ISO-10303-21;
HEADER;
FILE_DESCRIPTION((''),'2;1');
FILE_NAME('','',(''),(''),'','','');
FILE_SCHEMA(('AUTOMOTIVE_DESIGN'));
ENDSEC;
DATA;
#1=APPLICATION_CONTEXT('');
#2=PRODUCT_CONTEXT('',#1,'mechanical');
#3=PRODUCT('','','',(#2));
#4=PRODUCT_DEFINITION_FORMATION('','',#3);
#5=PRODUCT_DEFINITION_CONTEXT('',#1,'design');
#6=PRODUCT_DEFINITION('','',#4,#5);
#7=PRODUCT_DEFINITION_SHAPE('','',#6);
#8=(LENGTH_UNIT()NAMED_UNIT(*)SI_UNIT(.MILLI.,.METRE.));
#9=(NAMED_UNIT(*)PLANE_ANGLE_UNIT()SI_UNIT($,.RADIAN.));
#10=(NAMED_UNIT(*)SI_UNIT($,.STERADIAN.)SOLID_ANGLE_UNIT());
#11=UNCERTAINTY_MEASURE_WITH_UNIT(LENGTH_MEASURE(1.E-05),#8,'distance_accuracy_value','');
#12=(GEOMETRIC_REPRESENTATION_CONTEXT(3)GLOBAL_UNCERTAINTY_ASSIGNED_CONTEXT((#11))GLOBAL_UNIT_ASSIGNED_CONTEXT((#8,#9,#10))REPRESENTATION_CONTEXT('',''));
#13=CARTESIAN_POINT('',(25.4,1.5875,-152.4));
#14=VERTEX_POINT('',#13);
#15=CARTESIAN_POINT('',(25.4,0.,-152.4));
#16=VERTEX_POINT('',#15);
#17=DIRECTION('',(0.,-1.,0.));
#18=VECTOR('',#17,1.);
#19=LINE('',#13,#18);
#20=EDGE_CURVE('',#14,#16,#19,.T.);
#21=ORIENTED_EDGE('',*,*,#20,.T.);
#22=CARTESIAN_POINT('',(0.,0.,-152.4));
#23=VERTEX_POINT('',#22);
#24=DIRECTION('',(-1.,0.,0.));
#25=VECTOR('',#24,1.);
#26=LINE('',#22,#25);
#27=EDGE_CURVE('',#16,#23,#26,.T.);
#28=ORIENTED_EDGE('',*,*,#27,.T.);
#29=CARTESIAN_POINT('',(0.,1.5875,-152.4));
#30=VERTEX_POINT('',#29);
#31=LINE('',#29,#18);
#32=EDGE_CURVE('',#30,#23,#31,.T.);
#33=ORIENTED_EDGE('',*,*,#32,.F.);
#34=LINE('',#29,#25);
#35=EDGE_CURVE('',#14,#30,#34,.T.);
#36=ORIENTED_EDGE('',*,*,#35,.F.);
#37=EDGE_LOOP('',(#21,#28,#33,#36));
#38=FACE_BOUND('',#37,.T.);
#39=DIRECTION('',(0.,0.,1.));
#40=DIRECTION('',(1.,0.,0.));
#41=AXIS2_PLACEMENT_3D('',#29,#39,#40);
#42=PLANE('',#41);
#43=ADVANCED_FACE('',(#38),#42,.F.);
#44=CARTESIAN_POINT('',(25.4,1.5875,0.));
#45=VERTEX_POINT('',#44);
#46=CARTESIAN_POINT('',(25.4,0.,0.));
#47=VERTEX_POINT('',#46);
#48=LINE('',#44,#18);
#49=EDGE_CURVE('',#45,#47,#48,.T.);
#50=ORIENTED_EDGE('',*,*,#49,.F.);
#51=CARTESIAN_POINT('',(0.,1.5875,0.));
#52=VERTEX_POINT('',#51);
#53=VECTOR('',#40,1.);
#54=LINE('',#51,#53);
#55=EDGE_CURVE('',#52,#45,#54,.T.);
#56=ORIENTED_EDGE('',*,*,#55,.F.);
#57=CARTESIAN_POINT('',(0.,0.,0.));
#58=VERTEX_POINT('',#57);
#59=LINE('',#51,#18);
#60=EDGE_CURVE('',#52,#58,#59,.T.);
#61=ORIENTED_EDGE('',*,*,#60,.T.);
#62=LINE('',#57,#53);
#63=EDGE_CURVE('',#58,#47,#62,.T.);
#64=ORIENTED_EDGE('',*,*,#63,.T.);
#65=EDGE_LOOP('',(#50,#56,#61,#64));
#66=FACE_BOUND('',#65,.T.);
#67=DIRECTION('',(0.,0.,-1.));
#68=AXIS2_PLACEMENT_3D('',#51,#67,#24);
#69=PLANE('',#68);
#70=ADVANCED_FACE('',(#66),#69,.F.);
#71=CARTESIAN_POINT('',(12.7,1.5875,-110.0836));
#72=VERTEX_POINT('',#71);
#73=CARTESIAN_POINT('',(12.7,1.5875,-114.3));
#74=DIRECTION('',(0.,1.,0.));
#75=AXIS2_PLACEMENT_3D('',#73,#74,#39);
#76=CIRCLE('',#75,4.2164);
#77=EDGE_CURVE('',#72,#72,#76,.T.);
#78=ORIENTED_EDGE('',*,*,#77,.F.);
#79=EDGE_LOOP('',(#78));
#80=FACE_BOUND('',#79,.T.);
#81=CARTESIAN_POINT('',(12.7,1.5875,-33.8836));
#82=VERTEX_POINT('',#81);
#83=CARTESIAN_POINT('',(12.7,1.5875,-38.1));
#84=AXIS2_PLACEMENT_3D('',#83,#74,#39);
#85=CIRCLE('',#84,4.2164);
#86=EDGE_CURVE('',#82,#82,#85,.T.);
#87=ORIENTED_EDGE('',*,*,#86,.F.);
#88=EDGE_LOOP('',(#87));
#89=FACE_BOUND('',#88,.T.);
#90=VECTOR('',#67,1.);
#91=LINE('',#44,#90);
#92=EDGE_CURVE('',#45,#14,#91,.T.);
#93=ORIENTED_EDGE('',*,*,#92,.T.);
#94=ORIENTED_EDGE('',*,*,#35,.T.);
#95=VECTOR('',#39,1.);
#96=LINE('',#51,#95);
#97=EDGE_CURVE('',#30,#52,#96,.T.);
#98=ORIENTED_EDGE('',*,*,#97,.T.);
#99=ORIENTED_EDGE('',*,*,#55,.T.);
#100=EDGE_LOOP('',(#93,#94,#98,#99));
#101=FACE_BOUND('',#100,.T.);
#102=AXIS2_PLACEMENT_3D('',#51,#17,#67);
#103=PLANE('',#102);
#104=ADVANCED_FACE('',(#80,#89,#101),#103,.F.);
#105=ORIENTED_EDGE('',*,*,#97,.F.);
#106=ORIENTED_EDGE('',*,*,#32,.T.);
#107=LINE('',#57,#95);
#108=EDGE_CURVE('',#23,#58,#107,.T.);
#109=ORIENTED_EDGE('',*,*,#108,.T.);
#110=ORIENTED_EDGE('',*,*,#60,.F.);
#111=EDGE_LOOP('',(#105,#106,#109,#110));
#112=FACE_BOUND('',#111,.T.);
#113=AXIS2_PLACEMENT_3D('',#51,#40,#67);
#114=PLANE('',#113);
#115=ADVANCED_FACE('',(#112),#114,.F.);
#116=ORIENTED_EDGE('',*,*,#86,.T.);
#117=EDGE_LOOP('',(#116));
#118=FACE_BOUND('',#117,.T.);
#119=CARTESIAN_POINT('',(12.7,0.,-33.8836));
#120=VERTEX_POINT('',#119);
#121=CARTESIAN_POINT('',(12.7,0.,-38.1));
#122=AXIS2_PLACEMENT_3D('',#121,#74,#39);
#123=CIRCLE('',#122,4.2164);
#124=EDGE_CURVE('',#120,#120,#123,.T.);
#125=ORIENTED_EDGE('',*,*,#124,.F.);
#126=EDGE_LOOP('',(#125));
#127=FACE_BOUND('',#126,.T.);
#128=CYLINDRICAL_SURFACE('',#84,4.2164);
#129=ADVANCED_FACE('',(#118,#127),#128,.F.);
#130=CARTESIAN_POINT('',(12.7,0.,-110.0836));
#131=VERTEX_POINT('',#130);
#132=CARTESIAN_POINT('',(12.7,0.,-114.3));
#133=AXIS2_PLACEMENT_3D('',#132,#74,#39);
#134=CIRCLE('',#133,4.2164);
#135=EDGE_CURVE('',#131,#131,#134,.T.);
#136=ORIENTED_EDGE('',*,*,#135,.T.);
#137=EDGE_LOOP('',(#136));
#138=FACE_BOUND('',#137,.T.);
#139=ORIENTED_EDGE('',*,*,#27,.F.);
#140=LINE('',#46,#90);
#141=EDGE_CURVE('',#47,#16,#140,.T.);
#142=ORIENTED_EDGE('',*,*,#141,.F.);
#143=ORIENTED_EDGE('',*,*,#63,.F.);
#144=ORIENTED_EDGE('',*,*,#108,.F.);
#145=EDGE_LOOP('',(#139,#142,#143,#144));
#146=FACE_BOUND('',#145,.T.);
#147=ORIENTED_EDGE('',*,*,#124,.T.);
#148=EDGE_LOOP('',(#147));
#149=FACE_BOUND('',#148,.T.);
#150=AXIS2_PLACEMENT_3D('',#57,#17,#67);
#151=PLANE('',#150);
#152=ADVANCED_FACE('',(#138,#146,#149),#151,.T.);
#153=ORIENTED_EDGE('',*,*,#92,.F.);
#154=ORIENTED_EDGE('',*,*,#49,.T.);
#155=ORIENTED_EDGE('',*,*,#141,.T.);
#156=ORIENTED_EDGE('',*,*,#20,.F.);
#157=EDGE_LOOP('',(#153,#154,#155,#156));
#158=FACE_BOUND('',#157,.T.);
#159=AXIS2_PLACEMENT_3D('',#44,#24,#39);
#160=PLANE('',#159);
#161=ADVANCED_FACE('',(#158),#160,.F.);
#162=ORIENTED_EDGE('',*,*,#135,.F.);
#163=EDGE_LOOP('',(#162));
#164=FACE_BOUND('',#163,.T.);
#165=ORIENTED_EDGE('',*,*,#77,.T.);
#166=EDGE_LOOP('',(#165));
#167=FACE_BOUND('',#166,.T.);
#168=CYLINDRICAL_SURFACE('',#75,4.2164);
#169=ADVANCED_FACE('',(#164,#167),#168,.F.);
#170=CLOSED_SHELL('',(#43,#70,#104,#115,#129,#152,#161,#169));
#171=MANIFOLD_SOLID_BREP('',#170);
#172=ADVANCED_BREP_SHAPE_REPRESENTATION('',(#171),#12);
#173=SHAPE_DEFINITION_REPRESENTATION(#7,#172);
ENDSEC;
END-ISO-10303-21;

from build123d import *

# Parameters (mm, degrees)
SKETCH1_W                   = 25.4
SKETCH1_H                   = 152.4
BOSS_EXTRUDE1_DEPTH         = 1.5875
TAP_DRILL_FOR_3_8_24_TAP1_D = 8.4328


with BuildPart() as part:
    # Sketch1 → Boss-Extrude1 (new body)
    with BuildSketch(Plane(origin=(0, 0, 0), x_dir=(1, 0, 0), z_dir=(0, 1, 0))):
        with Locations((12.7, 76.2)):
            Rectangle(SKETCH1_W, SKETCH1_H)
    extrude(amount=BOSS_EXTRUDE1_DEPTH)

    # Tap Drill for 3/8-24 Tap1 (through all)
    with Locations(Plane(origin=(0, 1.5875, 0), x_dir=(1, 0, 0), z_dir=(0, 1, 0))):
        with Locations((12.7, 114.3), (12.7, 38.1)):
            Hole(TAP_DRILL_FOR_3_8_24_TAP1_D / 2)


solid = part.part
